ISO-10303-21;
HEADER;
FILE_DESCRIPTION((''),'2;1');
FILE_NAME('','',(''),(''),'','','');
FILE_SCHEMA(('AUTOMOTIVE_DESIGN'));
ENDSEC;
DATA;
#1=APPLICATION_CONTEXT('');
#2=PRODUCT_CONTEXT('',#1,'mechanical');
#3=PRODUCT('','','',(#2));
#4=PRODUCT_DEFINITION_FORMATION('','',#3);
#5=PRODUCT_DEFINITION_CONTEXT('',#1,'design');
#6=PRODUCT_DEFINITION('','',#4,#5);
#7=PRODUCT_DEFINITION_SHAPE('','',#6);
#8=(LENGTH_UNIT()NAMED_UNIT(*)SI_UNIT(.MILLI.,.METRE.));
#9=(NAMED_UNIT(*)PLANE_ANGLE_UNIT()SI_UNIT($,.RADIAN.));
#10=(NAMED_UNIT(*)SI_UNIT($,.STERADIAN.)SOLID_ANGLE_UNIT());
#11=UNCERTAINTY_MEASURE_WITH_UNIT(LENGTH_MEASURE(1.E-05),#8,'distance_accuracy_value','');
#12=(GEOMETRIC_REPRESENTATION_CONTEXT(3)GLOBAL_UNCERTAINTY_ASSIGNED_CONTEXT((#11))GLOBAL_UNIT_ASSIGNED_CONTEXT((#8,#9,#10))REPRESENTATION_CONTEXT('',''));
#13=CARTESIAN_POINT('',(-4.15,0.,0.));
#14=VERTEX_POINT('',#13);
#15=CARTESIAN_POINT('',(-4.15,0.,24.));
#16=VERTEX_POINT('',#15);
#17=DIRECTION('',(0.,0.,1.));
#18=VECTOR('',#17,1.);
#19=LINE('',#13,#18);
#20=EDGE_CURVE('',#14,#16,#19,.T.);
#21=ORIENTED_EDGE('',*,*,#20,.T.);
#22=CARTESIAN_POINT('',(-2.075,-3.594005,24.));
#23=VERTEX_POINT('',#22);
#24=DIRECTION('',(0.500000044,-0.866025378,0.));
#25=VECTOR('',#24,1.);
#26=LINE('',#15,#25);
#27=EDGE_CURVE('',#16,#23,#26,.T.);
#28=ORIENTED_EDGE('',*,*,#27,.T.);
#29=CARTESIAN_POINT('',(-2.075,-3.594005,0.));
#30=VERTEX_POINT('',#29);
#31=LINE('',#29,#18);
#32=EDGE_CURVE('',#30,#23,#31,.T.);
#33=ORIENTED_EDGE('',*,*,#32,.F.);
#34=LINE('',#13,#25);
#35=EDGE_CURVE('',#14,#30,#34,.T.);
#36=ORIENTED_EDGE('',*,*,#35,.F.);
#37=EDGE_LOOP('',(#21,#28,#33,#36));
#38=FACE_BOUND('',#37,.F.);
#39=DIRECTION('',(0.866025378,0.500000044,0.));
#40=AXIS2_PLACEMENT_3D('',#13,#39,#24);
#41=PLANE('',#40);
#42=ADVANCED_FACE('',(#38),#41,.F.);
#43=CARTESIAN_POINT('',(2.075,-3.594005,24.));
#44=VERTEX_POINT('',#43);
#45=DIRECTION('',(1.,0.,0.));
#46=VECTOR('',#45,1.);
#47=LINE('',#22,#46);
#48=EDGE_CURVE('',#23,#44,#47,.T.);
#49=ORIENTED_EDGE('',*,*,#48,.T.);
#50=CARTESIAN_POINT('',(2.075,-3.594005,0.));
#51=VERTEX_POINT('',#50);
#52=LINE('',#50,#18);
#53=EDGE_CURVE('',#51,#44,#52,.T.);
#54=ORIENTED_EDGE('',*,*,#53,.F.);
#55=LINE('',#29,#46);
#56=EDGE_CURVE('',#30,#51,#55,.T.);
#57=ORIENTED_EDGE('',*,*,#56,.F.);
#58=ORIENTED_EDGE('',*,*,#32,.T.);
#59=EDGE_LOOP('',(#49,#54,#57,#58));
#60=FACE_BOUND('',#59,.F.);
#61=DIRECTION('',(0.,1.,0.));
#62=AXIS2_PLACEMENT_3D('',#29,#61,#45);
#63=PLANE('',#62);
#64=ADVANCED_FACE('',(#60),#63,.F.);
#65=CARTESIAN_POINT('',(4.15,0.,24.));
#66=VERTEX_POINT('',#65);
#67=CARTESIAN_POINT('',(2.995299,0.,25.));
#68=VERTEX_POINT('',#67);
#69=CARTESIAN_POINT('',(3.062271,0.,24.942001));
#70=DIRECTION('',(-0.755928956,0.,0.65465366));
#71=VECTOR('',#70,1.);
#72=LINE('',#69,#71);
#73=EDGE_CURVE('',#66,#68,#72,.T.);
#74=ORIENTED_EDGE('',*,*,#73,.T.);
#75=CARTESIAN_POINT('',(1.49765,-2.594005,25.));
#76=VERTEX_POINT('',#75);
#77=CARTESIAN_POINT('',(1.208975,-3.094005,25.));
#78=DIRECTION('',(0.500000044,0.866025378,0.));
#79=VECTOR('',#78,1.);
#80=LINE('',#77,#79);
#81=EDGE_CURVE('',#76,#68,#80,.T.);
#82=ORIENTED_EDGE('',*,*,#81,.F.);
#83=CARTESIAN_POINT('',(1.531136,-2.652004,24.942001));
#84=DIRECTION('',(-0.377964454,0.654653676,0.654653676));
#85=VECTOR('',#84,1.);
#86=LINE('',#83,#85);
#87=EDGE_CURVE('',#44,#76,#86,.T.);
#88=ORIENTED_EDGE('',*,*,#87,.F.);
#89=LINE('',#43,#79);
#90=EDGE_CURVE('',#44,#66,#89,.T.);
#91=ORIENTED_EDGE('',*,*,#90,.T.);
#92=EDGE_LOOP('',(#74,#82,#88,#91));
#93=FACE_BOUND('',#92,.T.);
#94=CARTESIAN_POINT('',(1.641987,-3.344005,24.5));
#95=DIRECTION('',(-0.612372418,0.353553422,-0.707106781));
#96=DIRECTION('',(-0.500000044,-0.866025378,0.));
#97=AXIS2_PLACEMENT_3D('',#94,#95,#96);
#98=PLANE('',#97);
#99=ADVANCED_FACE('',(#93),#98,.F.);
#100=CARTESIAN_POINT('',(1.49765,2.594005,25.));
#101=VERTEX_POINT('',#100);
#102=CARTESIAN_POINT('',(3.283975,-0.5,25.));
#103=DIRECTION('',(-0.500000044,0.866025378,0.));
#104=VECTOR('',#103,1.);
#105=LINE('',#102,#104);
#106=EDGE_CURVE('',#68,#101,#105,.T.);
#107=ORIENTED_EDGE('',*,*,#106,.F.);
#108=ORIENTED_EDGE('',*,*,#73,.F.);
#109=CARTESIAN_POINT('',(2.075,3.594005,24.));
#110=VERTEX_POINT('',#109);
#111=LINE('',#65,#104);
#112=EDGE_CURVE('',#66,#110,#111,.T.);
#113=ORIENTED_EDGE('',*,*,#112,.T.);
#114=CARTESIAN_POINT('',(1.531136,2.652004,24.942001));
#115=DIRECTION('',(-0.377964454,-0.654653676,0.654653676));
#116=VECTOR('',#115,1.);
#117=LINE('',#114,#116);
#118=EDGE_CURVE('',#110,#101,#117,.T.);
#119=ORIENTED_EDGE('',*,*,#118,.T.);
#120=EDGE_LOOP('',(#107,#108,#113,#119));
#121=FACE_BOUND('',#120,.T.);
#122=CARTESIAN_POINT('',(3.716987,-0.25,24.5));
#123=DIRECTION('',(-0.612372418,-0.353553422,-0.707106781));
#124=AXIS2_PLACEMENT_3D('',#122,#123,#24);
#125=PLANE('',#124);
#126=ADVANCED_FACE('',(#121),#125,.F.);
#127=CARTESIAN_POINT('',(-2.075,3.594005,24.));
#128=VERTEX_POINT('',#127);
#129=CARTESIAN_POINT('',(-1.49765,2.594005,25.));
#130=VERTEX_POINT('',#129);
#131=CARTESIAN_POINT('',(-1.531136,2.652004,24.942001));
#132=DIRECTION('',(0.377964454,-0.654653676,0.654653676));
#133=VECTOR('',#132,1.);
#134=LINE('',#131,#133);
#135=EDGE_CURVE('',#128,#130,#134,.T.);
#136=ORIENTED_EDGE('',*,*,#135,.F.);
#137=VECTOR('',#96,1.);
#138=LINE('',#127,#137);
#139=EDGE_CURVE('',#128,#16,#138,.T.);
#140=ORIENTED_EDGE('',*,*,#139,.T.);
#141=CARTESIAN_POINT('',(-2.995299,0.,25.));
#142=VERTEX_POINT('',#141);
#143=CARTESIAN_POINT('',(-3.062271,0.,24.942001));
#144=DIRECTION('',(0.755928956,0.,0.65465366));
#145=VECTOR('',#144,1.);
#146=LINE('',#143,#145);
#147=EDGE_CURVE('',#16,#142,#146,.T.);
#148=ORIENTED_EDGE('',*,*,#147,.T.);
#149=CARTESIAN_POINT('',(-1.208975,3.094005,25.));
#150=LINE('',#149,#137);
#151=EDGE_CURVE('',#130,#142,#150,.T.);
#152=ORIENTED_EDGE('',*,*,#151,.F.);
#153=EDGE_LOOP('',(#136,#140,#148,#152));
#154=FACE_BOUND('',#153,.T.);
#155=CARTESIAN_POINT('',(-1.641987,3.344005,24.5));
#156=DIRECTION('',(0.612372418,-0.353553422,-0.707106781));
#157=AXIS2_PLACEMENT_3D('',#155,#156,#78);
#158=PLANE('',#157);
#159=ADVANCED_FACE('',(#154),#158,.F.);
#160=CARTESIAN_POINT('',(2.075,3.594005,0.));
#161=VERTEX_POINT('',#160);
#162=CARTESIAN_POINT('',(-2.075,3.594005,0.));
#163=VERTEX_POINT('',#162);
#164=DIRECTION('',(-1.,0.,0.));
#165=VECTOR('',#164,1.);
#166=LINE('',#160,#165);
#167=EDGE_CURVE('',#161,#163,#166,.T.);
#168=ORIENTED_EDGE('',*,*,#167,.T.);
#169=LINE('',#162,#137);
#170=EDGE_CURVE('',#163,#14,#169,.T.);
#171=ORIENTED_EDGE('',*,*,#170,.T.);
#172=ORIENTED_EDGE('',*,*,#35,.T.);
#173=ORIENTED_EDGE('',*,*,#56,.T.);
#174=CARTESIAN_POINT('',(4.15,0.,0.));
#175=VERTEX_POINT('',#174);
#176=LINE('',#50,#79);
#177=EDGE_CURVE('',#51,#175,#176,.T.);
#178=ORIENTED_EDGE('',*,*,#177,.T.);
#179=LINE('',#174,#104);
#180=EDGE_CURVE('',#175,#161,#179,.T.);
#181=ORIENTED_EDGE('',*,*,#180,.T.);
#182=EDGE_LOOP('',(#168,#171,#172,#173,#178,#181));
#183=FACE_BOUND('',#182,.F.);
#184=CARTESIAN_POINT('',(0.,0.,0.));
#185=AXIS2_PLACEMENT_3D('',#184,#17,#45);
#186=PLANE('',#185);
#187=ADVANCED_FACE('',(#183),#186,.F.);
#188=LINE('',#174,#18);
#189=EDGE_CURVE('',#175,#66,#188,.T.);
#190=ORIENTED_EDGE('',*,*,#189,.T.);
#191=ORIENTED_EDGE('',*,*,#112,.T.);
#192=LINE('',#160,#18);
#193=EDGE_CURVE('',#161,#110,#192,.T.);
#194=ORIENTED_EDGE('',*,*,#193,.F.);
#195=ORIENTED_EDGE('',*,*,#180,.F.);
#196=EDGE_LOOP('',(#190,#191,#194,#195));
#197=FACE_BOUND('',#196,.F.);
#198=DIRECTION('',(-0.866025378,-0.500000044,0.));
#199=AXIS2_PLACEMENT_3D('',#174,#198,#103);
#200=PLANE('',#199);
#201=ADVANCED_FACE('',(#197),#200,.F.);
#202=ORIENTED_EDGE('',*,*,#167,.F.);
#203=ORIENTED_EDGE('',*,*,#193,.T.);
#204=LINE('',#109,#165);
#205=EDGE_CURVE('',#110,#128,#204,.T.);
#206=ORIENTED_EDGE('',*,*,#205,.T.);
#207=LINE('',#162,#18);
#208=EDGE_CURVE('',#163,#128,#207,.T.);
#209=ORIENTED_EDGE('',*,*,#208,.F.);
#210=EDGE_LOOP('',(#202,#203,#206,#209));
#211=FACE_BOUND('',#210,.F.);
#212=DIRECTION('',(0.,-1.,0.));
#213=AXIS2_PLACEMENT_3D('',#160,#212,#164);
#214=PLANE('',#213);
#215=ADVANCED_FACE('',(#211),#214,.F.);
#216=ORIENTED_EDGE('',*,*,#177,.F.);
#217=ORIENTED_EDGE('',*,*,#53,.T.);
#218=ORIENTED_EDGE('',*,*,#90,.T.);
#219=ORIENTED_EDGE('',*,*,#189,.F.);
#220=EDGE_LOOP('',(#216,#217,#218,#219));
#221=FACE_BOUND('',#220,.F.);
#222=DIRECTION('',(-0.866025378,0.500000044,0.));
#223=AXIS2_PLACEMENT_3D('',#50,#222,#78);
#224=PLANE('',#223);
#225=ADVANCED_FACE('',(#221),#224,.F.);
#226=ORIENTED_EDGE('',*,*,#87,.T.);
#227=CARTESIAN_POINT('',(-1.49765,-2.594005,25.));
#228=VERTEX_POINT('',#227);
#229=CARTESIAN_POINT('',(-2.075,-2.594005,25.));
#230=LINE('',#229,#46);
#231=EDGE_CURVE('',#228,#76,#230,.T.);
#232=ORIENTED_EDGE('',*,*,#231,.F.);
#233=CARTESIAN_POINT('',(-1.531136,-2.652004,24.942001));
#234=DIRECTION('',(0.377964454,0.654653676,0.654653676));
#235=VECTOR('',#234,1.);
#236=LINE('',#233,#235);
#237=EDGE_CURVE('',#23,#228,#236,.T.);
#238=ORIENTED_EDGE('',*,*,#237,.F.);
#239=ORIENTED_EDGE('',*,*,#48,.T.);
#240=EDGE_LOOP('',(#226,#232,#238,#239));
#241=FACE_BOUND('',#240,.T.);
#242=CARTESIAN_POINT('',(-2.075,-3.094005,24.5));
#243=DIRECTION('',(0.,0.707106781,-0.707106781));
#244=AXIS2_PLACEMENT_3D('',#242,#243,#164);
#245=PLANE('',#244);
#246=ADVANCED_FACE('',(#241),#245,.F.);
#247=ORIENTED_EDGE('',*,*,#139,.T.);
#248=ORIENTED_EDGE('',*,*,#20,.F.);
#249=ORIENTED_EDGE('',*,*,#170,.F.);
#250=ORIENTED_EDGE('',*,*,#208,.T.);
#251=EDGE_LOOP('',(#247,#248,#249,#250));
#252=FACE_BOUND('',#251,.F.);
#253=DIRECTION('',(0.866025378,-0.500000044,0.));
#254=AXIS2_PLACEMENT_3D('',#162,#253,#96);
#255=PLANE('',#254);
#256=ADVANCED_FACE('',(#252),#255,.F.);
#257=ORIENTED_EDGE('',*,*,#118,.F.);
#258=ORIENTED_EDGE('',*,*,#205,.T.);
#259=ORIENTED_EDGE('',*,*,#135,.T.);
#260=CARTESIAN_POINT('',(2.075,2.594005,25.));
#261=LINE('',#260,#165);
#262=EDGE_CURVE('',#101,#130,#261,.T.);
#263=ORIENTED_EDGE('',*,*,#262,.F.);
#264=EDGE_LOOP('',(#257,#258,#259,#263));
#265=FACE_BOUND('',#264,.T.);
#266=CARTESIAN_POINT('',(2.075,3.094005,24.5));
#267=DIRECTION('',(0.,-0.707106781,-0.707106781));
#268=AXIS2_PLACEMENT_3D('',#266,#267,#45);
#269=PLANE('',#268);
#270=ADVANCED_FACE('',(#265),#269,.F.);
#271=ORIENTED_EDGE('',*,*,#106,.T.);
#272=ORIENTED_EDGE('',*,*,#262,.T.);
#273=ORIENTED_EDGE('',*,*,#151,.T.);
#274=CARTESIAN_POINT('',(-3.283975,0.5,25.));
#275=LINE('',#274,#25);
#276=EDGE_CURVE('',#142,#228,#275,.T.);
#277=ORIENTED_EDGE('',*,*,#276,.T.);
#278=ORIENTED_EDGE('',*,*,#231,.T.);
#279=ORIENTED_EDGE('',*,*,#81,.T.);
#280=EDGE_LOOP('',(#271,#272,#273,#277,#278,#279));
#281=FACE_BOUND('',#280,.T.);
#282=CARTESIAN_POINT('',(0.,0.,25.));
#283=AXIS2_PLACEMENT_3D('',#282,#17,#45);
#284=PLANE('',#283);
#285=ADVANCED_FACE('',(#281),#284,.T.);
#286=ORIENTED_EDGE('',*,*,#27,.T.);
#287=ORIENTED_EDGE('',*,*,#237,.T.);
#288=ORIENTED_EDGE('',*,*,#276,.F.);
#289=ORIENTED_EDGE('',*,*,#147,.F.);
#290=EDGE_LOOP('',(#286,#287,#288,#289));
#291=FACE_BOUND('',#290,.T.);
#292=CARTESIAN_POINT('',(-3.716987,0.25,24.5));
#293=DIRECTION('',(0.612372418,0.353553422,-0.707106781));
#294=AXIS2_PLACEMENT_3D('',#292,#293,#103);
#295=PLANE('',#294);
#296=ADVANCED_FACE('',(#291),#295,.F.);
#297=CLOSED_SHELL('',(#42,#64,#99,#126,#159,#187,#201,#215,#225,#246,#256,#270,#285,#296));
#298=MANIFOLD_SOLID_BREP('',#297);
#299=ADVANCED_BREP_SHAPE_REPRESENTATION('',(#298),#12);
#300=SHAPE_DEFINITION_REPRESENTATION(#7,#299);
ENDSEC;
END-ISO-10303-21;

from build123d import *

# Parameters (mm, degrees)
F1_DEPTH = 25
F2_SIZE  = 1


with BuildPart() as f1:
    # F0 (on Top) → F1 (new body)
    with BuildSketch(Plane.XY):
        Polygon((-2.075, 3.594005), (-4.15, 0), (-2.075, -3.594005), (2.075, -3.594005), (4.15, 0), (2.075, 3.594005), align=None)
    extrude(amount=F1_DEPTH)

    # F2
    f2_edges = [f1.edges().sort_by_distance(p)[0] for p in [
        (0, 3.594005, 25),
        (-3.1125, 1.797003, 25),
        (-3.1125, -1.797003, 25),
        (0, -3.594005, 25),
        (3.1125, -1.797003, 25),
        (3.1125, 1.797003, 25),
    ]]
    chamfer(f2_edges, length=F2_SIZE)


solid = f1.part
